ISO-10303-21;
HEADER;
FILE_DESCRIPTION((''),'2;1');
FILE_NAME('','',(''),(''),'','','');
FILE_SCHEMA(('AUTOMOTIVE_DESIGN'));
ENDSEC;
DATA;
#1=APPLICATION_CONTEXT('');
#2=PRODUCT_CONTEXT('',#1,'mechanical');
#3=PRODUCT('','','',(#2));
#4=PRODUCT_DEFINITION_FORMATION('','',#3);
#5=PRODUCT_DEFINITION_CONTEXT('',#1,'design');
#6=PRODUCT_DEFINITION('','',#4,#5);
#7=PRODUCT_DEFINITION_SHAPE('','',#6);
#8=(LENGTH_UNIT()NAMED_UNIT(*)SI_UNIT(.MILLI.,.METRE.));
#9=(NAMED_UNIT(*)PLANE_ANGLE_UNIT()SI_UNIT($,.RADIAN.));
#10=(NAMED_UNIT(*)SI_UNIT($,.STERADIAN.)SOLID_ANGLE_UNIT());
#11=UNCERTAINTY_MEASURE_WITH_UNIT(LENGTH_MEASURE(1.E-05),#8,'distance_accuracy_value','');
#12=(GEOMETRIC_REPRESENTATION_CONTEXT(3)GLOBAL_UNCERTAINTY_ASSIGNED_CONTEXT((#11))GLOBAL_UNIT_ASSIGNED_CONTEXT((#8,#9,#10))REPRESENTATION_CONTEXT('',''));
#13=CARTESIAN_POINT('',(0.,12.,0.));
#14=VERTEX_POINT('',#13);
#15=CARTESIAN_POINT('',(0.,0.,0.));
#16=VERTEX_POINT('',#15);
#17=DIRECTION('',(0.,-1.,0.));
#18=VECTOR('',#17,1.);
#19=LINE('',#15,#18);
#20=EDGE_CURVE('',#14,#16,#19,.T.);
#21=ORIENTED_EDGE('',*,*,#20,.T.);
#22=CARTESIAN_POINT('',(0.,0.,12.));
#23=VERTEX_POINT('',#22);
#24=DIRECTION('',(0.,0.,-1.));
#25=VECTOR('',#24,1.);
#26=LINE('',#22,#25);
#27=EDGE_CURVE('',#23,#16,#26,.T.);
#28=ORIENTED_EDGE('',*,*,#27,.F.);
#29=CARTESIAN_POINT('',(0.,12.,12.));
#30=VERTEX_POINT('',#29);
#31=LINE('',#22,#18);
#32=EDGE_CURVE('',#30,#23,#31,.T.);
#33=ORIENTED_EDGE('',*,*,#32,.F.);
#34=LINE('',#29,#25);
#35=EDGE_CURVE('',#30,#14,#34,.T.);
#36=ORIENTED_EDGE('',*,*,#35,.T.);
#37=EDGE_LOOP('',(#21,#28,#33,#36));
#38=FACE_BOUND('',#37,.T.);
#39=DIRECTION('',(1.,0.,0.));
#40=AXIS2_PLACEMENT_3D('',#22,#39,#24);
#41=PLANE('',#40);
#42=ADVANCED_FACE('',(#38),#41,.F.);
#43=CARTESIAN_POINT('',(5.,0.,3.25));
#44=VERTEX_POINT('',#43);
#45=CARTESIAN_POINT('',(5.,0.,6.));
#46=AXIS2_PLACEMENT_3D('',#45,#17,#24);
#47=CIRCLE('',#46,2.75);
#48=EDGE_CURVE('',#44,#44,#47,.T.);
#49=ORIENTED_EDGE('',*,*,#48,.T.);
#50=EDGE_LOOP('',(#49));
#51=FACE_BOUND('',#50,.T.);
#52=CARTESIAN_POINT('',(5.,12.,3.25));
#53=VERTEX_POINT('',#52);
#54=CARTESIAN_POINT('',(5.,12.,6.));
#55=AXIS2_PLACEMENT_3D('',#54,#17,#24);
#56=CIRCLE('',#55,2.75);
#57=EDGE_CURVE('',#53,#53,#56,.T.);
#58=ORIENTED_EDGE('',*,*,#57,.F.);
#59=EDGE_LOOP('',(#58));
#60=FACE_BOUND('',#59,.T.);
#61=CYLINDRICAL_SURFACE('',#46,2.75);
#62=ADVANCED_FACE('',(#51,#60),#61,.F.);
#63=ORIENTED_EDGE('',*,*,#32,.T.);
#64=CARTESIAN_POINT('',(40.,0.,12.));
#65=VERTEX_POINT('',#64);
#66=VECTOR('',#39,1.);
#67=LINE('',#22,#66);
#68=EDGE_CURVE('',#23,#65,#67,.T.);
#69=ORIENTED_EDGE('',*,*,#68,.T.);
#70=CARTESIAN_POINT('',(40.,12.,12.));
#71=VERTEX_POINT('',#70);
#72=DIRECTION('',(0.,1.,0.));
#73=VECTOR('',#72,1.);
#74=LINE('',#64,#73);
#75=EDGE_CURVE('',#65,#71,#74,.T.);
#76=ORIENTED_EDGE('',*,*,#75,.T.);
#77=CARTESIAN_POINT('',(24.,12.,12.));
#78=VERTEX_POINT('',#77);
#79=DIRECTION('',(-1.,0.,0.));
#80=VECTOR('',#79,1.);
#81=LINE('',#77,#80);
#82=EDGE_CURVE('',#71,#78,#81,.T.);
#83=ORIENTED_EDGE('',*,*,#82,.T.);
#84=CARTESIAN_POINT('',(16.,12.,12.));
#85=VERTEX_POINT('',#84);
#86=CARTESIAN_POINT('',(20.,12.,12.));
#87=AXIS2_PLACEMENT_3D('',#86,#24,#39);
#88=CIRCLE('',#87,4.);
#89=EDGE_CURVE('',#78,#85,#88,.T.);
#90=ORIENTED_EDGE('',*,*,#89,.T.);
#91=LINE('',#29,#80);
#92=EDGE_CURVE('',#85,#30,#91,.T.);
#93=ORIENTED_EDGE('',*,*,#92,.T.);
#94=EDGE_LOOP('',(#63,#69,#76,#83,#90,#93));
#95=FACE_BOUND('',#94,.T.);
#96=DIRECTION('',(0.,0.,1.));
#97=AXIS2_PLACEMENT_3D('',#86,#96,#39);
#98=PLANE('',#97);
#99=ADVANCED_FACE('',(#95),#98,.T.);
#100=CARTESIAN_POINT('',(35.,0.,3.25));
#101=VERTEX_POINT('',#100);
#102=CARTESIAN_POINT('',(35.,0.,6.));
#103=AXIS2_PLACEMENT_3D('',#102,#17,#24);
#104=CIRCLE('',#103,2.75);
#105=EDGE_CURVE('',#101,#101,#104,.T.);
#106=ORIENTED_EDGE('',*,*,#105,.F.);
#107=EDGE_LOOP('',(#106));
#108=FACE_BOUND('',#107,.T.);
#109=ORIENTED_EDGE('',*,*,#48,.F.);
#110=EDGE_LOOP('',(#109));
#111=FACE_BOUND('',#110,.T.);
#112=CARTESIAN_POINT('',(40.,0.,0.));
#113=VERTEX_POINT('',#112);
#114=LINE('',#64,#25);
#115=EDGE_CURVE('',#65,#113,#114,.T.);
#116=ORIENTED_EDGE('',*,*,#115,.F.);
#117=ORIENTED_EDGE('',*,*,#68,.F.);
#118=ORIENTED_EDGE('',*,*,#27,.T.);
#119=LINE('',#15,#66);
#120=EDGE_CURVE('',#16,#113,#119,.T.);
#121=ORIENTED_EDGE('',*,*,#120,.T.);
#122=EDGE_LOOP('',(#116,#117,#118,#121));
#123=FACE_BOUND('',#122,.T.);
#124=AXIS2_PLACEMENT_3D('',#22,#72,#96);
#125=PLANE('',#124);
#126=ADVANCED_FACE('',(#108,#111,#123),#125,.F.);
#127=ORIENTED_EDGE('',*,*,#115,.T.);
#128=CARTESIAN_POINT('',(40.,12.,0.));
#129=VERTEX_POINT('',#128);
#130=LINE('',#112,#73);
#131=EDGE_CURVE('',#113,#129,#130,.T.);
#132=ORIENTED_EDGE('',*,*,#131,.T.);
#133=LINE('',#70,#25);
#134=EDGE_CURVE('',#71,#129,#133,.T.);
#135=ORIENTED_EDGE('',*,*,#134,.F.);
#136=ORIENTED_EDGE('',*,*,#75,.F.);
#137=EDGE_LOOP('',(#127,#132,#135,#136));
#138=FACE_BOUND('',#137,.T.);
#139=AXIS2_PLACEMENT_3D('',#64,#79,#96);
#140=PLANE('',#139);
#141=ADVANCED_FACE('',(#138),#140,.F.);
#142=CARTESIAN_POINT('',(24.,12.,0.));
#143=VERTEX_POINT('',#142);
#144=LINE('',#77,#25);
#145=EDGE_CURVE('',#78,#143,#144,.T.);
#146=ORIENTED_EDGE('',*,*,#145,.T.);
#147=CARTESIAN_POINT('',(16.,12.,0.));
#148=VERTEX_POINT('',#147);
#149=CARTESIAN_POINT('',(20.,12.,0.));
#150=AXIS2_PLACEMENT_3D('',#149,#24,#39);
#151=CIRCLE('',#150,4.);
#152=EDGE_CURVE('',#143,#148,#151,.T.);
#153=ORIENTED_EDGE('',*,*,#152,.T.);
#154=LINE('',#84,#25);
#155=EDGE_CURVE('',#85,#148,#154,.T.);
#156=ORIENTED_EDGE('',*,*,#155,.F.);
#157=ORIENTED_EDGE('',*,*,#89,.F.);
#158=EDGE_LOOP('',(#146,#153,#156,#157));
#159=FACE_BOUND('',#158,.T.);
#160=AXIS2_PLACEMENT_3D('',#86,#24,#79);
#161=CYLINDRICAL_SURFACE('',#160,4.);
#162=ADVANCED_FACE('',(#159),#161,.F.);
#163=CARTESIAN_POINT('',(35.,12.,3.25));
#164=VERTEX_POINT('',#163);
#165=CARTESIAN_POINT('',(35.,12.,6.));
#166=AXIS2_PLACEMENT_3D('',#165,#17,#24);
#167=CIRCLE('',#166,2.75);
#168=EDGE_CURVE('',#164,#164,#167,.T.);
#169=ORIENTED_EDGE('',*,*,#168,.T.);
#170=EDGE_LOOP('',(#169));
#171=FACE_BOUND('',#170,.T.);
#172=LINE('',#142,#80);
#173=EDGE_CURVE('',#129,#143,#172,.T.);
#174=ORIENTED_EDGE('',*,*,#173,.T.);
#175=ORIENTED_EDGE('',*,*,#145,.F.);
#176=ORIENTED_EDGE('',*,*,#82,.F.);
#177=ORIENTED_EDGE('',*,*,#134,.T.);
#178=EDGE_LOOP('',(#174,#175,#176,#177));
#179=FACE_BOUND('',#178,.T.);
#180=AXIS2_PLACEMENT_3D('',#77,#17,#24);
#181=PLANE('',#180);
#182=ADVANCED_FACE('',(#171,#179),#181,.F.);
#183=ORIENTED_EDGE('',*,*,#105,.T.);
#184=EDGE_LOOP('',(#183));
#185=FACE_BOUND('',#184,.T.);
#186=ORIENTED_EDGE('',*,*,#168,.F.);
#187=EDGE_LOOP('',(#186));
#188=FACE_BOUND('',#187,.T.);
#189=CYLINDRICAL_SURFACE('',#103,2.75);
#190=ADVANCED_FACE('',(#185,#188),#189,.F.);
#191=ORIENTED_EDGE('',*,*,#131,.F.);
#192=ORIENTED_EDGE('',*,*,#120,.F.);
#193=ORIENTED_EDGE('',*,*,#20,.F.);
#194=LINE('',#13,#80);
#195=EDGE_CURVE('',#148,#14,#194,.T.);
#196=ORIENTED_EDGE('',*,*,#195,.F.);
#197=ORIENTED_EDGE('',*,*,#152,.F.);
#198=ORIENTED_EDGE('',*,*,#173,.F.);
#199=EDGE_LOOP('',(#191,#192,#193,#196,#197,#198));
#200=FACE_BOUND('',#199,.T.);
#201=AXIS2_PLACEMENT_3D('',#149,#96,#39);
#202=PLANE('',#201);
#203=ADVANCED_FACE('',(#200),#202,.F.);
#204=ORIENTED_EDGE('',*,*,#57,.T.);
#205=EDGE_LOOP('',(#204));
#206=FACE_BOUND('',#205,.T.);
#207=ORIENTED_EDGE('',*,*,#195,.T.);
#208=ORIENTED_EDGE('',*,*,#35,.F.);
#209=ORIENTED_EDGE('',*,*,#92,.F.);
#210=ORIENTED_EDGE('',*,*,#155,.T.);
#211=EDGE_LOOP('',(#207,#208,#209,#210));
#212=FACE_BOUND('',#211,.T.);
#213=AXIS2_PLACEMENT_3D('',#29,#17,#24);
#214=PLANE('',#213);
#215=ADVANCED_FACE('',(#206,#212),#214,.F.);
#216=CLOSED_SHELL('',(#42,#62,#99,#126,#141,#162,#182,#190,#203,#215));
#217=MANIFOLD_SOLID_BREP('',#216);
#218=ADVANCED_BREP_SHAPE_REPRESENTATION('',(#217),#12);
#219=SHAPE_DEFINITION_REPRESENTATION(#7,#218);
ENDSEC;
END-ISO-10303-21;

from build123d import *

# Parameters (mm, degrees)
AUFSATZ_LINEAR_AUSTRAGEN1_DEPTH  = 12
F_5_5_5_5_DURCHMESSER_BOHRUNG1_D = 5.5


with BuildPart() as part:
    # Skizze1 → Aufsatz-Linear austragen1 (new body)
    with BuildSketch(Plane.XY):
        with BuildLine():
            Line((24, 12), (40, 12))
            Line((40, 12), (40, 0))
            Line((40, 0), (0, 0))
            Line((0, 0), (0, 12))
            Line((0, 12), (16, 12))
            ThreePointArc((16, 12), (20, 8), (24, 12))
        make_face()
    extrude(amount=AUFSATZ_LINEAR_AUSTRAGEN1_DEPTH)

    # Ø5.5 (5.5) Durchmesser Bohrung1 (through all)
    with Locations(Plane(origin=(0, 0, 0), x_dir=(-1, 0, 0), z_dir=(0, -1, 0))):
        with Locations((-5, -6), (-35, -6)):
            Hole(F_5_5_5_5_DURCHMESSER_BOHRUNG1_D / 2)


solid = part.part
